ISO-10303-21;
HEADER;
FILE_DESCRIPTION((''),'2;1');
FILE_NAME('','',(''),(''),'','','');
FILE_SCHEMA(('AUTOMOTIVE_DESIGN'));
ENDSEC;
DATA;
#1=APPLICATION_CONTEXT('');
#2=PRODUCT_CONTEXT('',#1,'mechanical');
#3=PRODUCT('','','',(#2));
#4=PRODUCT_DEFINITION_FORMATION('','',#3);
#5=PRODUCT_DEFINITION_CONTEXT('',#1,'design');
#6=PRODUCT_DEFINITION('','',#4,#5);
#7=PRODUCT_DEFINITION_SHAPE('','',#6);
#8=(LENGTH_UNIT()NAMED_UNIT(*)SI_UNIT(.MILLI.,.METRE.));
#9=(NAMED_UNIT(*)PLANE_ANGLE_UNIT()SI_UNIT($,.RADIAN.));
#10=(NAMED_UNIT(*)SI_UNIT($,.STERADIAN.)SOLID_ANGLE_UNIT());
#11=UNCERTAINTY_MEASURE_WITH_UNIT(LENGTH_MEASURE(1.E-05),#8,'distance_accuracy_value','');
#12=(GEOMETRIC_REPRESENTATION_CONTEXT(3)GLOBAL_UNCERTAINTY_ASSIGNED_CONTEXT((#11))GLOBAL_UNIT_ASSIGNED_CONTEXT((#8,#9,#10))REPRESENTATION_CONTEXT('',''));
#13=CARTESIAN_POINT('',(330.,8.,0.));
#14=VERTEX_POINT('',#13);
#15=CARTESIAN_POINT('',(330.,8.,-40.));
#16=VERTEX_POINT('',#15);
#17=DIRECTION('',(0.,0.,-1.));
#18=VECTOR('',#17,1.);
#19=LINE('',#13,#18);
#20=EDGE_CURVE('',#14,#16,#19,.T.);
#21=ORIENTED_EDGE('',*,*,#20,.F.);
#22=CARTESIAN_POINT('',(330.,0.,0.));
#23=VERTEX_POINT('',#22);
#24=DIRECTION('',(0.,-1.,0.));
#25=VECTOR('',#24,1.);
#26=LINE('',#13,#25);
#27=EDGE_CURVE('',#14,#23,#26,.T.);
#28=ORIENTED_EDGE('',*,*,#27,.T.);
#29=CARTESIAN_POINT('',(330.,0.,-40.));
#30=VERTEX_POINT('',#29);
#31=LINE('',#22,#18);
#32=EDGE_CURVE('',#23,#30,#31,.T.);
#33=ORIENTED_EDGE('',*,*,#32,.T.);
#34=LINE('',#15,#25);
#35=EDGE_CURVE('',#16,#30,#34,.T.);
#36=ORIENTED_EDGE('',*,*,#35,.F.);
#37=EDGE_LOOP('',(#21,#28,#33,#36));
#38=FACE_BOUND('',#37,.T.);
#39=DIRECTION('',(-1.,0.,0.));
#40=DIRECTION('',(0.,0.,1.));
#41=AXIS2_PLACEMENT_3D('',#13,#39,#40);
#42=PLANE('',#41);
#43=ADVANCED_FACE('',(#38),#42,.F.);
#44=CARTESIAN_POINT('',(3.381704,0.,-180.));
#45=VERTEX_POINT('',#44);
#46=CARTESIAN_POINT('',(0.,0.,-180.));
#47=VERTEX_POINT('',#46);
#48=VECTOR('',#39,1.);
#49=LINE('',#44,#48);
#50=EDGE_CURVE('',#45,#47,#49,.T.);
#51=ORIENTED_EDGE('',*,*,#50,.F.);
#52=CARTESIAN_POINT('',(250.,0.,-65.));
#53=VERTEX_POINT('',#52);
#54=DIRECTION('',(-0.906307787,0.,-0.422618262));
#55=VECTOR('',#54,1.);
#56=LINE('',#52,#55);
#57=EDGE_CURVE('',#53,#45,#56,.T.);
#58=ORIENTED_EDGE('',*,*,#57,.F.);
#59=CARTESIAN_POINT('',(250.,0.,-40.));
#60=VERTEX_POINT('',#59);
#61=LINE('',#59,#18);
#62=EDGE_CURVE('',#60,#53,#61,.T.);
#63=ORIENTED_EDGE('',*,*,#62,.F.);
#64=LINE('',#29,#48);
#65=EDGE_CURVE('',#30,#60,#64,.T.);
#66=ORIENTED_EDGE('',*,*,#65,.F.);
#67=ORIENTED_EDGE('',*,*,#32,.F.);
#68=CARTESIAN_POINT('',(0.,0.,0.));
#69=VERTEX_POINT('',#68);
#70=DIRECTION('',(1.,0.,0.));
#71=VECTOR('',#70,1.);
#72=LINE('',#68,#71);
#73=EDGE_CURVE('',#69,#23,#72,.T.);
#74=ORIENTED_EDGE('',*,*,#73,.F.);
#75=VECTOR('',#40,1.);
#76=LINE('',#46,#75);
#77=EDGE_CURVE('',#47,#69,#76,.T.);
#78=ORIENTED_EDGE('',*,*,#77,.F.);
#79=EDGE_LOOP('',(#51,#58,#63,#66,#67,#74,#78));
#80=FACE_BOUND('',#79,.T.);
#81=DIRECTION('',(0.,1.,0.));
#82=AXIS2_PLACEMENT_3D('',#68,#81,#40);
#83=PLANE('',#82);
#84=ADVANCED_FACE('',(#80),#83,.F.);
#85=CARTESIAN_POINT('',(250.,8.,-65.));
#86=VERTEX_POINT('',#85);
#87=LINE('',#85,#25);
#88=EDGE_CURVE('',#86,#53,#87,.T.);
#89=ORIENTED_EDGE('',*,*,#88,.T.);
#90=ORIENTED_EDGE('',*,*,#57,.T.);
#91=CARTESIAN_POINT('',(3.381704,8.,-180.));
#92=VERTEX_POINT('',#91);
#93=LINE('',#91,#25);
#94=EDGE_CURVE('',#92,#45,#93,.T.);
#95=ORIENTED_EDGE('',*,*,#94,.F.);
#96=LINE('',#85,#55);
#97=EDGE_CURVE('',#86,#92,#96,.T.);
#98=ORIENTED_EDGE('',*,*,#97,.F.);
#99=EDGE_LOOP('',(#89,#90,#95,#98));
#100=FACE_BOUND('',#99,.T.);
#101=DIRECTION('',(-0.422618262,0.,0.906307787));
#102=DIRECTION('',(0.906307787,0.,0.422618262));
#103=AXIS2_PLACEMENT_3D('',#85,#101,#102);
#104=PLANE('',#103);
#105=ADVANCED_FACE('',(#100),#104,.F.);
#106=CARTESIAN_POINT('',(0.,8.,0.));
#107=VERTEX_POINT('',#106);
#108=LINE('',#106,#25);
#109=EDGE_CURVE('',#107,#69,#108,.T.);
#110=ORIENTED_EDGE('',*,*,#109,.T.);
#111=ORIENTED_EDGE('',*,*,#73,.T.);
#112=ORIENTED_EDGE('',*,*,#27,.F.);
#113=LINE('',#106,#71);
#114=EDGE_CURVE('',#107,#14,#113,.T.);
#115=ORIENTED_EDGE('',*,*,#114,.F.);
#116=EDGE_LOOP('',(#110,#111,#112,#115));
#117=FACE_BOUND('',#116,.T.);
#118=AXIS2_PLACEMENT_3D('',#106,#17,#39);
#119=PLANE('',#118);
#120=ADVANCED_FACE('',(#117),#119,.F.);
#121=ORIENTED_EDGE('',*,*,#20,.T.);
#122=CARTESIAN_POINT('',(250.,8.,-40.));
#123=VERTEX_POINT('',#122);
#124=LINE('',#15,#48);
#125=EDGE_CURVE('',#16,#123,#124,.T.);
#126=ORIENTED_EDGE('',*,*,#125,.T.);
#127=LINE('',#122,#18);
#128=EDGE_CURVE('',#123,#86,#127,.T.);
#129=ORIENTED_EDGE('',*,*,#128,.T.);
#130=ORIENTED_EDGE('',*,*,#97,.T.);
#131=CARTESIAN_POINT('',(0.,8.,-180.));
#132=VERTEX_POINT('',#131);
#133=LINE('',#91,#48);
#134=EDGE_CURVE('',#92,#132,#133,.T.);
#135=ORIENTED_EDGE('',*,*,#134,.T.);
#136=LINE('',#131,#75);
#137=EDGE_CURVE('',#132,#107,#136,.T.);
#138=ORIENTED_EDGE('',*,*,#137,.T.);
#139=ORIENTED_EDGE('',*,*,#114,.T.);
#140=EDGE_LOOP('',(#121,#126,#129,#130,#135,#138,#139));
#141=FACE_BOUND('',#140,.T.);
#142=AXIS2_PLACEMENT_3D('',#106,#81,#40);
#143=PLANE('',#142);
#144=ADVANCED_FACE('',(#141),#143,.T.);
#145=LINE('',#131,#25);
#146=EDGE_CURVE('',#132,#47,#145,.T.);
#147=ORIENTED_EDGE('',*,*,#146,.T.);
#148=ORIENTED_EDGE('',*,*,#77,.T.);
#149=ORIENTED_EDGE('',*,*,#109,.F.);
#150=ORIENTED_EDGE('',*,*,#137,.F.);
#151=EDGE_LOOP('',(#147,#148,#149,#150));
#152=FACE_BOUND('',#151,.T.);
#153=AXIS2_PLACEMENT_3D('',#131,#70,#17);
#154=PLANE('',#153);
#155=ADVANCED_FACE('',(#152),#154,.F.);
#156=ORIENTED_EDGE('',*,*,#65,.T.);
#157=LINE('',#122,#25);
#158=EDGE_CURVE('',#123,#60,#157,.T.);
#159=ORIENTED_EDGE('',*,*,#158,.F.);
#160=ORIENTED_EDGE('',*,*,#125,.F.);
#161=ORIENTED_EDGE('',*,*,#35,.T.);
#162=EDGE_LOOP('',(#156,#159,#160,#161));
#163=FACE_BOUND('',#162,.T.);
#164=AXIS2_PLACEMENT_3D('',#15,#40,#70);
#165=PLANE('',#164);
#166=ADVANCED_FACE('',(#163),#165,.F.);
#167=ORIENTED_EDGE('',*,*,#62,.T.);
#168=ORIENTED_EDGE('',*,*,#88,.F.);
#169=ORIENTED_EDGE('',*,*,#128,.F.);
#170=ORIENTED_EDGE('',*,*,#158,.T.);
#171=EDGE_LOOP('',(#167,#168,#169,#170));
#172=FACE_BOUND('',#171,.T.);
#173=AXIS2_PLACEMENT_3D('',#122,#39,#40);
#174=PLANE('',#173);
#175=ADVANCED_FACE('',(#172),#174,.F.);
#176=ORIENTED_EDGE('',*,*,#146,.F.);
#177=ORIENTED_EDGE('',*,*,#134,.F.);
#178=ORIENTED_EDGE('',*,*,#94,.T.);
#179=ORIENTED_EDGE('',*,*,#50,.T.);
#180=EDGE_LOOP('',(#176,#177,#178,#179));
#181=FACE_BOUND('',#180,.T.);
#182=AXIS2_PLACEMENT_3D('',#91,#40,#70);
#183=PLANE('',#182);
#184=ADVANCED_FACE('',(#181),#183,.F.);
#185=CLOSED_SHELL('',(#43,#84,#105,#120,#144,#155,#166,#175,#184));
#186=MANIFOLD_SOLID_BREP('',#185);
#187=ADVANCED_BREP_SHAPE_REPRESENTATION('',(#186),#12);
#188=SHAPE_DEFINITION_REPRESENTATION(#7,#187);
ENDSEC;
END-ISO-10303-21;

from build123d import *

# Parameters (mm, degrees)
BOSS_EXTRUDE1_DEPTH = 8


with BuildPart() as part:
    # Sketch1 → Boss-Extrude1 (new body)
    with BuildSketch(Plane(origin=(0, 0, 0), x_dir=(1, 0, 0), z_dir=(0, 1, 0))):
        Polygon((0, 0), (330, 0), (330, 40), (250, 40), (250, 65), (3.381704141, 180), (0, 180), align=None)
    extrude(amount=BOSS_EXTRUDE1_DEPTH)


solid = part.part
